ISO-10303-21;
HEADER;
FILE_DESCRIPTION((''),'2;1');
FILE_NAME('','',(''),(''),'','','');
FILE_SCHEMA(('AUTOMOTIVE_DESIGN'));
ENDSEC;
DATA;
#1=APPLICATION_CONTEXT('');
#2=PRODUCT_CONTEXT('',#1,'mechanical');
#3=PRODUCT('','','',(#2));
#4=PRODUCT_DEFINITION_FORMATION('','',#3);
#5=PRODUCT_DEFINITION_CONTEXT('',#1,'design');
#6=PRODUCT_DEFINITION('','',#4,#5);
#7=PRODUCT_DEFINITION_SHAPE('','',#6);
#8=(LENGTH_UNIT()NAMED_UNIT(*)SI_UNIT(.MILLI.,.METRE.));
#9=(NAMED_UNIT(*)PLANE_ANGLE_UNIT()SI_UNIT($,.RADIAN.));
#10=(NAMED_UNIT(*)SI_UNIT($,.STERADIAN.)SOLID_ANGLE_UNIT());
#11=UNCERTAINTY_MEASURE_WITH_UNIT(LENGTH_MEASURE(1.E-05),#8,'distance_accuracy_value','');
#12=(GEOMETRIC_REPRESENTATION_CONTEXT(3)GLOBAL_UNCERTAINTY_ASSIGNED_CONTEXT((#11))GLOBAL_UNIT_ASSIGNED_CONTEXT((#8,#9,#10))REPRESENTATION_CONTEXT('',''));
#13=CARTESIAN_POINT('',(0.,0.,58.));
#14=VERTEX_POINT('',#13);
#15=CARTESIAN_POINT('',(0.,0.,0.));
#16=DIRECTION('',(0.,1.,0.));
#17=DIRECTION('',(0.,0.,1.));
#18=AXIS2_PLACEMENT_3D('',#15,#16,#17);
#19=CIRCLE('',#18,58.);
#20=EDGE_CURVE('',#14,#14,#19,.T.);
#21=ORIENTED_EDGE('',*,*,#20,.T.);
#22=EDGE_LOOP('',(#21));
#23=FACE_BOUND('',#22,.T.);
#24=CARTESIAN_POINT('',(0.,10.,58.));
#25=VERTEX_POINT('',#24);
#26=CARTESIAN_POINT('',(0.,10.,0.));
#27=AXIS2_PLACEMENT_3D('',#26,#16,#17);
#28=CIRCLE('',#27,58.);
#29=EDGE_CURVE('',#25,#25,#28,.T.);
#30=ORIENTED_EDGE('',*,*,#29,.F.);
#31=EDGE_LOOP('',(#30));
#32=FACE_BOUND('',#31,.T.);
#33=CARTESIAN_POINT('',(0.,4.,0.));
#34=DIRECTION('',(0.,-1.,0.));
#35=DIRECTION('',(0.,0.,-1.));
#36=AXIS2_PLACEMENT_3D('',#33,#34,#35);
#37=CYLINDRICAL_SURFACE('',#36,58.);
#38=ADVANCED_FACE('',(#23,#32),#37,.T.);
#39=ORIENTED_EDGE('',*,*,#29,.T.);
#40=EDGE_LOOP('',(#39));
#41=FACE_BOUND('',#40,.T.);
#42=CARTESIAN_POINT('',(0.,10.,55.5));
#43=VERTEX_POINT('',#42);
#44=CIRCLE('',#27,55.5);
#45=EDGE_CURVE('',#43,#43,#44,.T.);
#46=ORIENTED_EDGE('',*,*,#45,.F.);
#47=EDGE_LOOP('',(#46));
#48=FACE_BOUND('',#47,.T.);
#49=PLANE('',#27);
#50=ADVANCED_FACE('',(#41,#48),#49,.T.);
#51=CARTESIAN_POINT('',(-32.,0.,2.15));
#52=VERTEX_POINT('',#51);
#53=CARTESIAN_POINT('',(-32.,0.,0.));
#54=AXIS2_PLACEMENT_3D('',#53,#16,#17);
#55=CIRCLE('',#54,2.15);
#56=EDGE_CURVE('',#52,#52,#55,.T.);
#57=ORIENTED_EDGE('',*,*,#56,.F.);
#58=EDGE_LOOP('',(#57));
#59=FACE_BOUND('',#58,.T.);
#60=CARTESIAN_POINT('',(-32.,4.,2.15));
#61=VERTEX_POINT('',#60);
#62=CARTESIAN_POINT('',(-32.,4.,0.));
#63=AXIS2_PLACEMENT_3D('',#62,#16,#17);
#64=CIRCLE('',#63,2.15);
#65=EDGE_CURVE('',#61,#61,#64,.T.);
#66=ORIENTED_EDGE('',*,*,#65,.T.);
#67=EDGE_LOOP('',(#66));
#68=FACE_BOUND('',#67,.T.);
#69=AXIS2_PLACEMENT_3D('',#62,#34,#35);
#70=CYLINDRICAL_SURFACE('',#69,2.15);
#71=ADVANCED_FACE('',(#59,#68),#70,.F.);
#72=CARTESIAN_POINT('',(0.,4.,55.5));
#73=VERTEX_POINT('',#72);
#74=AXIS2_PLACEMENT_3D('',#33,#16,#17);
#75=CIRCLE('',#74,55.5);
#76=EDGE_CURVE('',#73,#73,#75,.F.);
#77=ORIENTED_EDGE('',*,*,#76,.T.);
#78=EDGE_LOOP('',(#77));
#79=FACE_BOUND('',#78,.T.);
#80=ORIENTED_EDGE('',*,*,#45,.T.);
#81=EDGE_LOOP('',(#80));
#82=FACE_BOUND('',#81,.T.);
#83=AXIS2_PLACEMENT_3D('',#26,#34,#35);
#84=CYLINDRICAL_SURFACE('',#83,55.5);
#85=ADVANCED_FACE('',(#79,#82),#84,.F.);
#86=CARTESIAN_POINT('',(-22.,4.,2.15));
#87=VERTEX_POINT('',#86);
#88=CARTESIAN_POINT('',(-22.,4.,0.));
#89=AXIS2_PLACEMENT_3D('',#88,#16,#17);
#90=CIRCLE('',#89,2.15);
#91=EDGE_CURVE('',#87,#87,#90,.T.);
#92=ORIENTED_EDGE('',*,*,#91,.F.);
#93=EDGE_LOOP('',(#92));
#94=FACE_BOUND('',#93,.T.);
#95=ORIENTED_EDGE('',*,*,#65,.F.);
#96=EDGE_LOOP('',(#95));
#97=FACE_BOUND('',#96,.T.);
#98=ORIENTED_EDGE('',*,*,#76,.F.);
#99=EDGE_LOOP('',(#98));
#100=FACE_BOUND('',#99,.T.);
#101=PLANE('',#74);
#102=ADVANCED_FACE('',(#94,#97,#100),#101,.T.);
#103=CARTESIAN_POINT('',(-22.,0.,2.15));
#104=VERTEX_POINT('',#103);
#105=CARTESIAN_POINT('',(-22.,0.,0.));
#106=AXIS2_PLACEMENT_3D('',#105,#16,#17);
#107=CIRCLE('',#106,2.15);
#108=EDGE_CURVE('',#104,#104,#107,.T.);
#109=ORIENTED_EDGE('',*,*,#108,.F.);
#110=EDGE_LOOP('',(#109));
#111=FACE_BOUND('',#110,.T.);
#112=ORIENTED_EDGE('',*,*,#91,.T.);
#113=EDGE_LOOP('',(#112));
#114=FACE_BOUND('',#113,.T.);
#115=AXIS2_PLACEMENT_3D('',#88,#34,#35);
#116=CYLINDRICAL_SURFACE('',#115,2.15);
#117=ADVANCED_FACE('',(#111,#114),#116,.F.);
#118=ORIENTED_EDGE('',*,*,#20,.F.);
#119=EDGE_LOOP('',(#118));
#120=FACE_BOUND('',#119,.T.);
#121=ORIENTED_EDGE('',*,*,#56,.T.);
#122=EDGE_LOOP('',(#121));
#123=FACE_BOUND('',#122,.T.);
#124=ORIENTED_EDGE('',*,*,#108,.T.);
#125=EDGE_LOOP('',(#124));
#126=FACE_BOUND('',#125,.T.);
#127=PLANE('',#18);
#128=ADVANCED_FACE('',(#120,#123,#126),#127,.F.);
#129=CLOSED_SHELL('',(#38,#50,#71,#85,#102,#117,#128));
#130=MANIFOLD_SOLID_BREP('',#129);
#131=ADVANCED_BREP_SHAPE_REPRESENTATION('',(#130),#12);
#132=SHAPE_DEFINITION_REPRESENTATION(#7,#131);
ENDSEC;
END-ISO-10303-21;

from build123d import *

# Parameters (mm, degrees)
SKETCH_1_R                       = 58
CUP_PLATE_D116_T4_DEPTH          = 4
SKETCH_2_R                       = 58
SKETCH_2_R_2                     = 55.5
DRIP_SKIRT_OD116_ID111_H10_DEPTH = 10
SKETCH_3_R                       = 2.15
M4_MOVING_MOUNT_CLEARANCE_DEPTH  = 4


with BuildPart() as part:
    # 草图1 → Cup_plate_D116_T4 (new body)
    with BuildSketch(Plane(origin=(0, 0, 0), x_dir=(1, 0, 0), z_dir=(0, 1, 0))):
        with Locations(Location((0, 0, 0), (0, 0, 270))):
            Circle(SKETCH_1_R)
    extrude(amount=CUP_PLATE_D116_T4_DEPTH)

    # 草图2 → Drip_skirt_OD116_ID111_H10 (add)
    with BuildSketch(Plane(origin=(0, 0, 0), x_dir=(1, 0, 0), z_dir=(0, 1, 0))):
        with Locations(Location((0, 0, 0), (0, 0, 270))):
            Circle(SKETCH_2_R)
        with Locations(Location((0, 0, 0), (0, 0, 270))):
            Circle(SKETCH_2_R_2, mode=Mode.SUBTRACT)
    extrude(amount=DRIP_SKIRT_OD116_ID111_H10_DEPTH)

    # 草图3 → M4_moving_mount_clearance (cut)
    with BuildSketch(Plane(origin=(0, 0, 0), x_dir=(1, 0, 0), z_dir=(0, 1, 0))):
        with Locations(Location((-22, 0, 0), (0, 0, 270))):
            Circle(SKETCH_3_R)
        with Locations(Location((-32, 0, 0), (0, 0, 270))):
            Circle(SKETCH_3_R)
    extrude(amount=M4_MOVING_MOUNT_CLEARANCE_DEPTH, mode=Mode.SUBTRACT)


solid = part.part
